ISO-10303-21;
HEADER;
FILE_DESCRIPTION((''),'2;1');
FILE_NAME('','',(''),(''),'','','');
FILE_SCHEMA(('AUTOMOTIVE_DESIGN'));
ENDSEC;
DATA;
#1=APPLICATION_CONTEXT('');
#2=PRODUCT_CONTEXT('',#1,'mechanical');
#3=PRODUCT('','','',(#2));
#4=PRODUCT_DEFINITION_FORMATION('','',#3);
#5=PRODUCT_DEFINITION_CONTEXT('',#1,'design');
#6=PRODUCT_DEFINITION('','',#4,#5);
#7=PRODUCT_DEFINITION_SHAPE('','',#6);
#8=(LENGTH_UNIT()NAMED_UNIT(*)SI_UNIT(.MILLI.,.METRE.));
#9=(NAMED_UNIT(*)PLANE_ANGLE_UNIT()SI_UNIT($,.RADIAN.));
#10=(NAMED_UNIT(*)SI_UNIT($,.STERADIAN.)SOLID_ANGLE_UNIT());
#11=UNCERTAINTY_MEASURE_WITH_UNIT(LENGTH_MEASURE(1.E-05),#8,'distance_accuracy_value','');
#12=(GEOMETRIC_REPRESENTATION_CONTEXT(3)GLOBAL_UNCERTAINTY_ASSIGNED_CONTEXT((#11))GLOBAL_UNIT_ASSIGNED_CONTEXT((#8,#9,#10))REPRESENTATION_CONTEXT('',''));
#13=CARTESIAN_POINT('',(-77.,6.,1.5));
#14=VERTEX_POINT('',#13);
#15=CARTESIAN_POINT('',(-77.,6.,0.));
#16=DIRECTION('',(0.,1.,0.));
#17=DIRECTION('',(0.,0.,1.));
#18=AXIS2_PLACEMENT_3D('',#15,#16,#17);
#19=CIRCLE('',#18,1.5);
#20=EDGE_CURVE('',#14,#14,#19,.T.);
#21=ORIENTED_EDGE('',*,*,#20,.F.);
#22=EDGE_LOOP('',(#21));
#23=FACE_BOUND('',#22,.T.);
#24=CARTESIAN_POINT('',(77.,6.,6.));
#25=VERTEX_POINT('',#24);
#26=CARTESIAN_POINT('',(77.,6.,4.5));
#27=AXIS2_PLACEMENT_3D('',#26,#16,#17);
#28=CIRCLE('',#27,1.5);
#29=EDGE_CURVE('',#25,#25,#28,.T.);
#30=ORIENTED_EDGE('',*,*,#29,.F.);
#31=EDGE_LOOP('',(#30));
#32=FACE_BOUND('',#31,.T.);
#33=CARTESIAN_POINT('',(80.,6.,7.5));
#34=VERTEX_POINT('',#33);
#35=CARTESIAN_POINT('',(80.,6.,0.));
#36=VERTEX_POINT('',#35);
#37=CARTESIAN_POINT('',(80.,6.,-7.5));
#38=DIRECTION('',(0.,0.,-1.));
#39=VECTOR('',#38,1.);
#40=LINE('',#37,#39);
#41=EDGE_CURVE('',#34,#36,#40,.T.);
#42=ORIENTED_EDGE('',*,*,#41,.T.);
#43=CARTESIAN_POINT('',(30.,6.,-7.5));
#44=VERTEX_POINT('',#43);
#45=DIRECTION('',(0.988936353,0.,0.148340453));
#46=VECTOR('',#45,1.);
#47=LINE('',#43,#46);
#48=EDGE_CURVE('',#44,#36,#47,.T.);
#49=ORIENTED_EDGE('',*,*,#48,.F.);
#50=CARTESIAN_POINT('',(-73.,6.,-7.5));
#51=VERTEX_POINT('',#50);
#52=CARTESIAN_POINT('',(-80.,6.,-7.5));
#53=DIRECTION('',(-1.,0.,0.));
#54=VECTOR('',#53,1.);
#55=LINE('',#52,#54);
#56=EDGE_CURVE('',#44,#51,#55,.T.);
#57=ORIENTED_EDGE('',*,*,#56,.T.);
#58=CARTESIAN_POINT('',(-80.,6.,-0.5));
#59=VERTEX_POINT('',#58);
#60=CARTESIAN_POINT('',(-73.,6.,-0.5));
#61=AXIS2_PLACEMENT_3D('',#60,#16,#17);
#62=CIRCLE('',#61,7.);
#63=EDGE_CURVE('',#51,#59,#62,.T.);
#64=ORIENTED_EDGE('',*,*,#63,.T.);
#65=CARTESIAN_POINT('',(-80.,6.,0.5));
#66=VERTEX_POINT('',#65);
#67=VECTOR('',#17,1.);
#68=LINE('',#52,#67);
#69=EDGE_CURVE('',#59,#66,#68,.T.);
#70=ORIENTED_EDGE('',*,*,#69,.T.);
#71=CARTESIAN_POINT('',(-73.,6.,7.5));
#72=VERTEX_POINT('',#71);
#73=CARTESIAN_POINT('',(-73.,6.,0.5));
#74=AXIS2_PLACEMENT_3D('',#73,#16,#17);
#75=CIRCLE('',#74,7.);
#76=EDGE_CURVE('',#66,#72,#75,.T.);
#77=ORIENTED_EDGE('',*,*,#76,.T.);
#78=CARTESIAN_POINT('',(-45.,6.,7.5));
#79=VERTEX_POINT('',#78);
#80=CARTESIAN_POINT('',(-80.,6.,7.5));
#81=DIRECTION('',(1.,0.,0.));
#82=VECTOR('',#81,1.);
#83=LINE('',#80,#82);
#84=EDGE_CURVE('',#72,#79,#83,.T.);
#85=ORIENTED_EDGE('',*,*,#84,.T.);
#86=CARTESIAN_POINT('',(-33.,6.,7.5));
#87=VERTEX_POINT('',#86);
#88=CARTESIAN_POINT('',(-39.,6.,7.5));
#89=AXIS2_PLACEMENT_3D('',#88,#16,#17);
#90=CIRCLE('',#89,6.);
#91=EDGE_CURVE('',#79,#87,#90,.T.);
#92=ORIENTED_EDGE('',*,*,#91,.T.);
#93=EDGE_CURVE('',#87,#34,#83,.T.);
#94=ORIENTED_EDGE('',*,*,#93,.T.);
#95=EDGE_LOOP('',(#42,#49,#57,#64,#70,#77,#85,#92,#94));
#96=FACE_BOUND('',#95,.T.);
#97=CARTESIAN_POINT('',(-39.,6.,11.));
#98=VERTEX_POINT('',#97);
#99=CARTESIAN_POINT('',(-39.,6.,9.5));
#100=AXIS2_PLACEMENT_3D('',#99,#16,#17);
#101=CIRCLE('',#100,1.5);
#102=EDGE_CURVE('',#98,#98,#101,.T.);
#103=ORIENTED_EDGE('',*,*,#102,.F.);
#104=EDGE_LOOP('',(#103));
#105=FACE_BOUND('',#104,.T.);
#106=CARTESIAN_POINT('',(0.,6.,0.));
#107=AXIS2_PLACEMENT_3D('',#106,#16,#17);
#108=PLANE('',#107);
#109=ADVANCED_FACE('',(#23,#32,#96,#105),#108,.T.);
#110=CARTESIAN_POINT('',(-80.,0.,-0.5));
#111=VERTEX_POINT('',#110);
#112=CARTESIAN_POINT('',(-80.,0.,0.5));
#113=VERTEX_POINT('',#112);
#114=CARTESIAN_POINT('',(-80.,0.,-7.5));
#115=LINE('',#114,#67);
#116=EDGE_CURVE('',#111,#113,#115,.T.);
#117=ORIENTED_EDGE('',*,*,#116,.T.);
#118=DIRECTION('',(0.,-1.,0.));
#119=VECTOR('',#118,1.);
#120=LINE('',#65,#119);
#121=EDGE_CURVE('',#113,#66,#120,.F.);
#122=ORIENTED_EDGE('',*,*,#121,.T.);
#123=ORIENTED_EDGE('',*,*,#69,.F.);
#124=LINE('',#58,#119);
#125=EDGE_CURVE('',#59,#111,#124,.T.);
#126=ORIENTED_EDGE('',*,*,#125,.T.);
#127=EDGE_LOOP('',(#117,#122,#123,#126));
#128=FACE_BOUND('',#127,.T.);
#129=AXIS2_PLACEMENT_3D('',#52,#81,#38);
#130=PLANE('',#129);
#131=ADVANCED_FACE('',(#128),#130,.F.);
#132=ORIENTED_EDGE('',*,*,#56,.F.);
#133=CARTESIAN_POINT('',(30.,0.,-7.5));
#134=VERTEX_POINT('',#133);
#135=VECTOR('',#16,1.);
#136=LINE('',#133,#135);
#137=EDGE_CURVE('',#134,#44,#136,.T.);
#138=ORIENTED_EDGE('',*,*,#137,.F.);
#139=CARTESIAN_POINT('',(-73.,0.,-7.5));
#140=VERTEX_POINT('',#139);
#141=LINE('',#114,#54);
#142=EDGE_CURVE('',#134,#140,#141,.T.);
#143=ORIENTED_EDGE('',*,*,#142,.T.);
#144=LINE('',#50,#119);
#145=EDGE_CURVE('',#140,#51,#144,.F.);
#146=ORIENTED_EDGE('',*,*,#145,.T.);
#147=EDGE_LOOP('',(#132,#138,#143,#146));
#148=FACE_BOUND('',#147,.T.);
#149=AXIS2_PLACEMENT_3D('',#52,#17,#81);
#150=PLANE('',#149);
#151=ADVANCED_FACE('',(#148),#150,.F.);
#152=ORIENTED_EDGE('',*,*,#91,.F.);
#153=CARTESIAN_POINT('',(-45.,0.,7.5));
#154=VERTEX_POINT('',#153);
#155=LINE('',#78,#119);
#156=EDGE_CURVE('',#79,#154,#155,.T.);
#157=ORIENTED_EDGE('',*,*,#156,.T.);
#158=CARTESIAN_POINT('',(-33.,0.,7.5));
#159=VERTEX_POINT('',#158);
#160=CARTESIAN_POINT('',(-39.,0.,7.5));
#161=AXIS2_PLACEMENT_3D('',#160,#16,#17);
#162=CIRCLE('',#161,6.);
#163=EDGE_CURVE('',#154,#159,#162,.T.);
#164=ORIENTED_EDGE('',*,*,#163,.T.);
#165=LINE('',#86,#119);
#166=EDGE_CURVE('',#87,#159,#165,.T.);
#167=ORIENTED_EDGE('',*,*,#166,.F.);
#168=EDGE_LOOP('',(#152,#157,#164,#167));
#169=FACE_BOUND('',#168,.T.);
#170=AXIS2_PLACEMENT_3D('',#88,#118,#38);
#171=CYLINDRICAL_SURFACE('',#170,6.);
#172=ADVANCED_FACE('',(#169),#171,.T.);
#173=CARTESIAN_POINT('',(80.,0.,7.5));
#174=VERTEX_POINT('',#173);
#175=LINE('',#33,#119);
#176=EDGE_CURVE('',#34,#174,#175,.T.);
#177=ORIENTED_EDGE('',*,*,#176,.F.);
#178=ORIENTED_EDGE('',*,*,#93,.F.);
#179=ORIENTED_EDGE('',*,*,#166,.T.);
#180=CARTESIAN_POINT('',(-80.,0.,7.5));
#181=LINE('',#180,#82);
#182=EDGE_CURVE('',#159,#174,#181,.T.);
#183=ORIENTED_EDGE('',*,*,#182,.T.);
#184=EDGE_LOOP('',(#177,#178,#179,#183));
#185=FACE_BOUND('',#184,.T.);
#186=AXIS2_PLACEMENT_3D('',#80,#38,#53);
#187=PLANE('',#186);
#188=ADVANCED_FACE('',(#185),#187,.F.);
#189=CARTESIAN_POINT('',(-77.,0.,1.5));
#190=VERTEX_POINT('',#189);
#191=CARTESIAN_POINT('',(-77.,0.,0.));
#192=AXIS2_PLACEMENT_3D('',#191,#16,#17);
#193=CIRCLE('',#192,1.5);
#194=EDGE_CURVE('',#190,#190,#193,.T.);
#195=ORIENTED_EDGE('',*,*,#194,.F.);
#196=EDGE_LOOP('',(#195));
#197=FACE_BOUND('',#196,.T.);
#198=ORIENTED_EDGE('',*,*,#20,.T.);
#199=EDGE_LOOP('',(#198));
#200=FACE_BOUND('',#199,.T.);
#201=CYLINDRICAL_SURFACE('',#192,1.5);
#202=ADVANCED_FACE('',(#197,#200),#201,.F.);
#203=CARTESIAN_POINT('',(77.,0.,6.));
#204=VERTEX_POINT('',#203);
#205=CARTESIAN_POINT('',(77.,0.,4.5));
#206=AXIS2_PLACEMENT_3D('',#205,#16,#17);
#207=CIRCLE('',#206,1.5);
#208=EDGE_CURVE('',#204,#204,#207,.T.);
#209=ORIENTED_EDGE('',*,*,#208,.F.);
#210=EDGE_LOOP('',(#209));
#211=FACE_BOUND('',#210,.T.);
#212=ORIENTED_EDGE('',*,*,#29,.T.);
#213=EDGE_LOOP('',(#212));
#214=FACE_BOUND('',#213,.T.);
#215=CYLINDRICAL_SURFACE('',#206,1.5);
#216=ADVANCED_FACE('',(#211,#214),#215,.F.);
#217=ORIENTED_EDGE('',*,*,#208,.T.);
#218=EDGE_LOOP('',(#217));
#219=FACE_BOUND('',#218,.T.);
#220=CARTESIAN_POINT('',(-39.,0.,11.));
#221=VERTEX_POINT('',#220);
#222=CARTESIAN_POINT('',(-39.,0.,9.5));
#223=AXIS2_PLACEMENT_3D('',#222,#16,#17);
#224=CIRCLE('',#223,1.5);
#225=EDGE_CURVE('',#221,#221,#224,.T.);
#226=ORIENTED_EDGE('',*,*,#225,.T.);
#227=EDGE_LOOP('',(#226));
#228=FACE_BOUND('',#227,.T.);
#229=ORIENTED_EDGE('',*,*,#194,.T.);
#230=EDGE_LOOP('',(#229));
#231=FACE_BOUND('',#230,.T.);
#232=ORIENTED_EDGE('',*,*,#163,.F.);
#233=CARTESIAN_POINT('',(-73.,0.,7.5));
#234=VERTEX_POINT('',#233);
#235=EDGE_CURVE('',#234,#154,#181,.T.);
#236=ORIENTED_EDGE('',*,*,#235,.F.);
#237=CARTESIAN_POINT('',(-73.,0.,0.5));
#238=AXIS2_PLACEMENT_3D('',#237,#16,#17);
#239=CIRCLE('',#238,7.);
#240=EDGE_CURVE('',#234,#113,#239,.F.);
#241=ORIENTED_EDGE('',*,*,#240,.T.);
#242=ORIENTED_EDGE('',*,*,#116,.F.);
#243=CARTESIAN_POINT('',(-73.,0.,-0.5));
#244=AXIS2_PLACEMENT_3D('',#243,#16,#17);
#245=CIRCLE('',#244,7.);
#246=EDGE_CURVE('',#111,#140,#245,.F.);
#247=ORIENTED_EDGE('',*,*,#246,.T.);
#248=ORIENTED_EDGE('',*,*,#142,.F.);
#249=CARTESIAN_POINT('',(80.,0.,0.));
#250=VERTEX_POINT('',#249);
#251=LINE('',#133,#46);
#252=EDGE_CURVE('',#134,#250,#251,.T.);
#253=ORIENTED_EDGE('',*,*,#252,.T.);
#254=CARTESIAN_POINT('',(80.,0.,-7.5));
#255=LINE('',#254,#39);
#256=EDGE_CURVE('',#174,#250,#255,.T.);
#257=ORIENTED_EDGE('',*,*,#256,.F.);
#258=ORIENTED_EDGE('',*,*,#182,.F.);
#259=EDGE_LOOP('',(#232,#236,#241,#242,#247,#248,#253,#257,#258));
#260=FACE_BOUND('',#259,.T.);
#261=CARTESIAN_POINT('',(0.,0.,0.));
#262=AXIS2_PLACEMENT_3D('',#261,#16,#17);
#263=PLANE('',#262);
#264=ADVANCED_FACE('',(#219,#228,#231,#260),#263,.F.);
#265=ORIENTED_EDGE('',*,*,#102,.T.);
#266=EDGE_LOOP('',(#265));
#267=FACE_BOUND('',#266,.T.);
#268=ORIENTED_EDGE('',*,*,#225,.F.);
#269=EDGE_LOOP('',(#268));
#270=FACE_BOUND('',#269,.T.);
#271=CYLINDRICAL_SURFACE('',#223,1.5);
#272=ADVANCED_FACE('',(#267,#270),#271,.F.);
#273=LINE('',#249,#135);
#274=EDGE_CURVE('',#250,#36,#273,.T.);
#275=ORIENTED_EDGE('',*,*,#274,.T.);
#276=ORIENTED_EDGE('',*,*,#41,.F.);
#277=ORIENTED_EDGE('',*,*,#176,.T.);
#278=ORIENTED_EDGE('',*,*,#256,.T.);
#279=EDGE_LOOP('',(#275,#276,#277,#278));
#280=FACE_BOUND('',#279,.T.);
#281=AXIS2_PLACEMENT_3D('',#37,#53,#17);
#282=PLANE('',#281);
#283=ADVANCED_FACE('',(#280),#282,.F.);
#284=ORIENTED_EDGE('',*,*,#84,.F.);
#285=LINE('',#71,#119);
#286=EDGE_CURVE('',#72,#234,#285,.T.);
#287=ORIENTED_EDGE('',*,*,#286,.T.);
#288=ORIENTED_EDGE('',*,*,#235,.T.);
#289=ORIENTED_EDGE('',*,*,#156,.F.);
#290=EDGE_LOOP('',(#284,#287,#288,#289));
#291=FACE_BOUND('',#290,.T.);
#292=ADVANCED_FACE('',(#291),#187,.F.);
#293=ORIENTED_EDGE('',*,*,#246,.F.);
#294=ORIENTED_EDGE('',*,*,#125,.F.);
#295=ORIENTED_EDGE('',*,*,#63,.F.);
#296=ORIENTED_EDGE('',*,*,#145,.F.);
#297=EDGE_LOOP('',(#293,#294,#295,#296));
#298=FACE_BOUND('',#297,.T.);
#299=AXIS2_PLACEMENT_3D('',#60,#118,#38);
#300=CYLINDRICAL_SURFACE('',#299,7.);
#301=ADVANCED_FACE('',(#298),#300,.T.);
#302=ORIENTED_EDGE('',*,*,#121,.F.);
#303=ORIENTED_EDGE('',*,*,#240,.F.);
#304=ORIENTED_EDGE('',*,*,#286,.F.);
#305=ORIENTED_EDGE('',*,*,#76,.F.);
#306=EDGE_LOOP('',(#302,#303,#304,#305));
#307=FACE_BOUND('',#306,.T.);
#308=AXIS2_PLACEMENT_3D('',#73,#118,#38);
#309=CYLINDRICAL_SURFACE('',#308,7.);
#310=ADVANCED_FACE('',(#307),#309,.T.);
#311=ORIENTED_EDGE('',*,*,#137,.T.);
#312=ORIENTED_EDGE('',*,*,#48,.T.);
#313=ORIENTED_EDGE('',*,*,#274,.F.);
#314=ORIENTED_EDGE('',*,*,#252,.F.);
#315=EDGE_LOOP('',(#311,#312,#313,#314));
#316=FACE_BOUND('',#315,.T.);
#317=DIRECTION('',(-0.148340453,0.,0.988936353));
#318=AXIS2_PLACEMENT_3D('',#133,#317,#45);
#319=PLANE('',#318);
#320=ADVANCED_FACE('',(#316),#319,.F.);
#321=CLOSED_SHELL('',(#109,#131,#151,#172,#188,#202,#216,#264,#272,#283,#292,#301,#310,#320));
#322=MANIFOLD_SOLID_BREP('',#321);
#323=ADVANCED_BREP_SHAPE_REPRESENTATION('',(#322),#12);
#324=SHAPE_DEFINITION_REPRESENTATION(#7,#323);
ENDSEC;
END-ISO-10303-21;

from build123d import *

# Parameters (mm, degrees)
SKETCH2_W           = 160
SKETCH2_H           = 15
BOSS_EXTRUDE1_DEPTH = 6
BOSS_EXTRUDE2_DEPTH = 6
SKETCH5_R           = 1.5
CUT_EXTRUDE1_DEPTH  = 82.352627493
CUT_EXTRUDE2_DEPTH  = 82.352627493
FILLET1_R           = 7


with BuildPart() as part:
    # Sketch2 → Boss-Extrude1 (new body)
    with BuildSketch(Plane(origin=(0, 0, 0), x_dir=(1, 0, 0), z_dir=(0, 1, 0))):
        Rectangle(SKETCH2_W, SKETCH2_H)
    extrude(amount=BOSS_EXTRUDE1_DEPTH)

    # Sketch4 → Boss-Extrude2 (add)
    with BuildSketch(Plane(origin=(0, 0, 0), x_dir=(1, 0, 0), z_dir=(0, 1, 0))):
        with BuildLine():
            Line((-45, -7.5), (-33, -7.5))
            ThreePointArc((-33, -7.5), (-39, -13.5), (-45, -7.5))
        make_face()
    extrude(amount=BOSS_EXTRUDE2_DEPTH)

    # Sketch5 → Cut-Extrude1 (cut, through all)
    with BuildSketch(Plane(origin=(0, 6, 0), x_dir=(1, 0, 0), z_dir=(0, 1, 0))):
        with Locations(Location((-77, 0, 0), (0, 0, 270))):
            Circle(SKETCH5_R)
        with Locations(Location((-39, -9.5, 0), (0, 0, 270))):
            Circle(SKETCH5_R)
        with Locations(Location((77, -4.5, 0), (0, 0, 270))):
            Circle(SKETCH5_R)
    extrude(amount=-CUT_EXTRUDE1_DEPTH, mode=Mode.SUBTRACT)

    # Sketch6 → Cut-Extrude2 (cut, through all)
    with BuildSketch(Plane(origin=(0, 6, 0), x_dir=(1, 0, 0), z_dir=(0, 1, 0))):
        Polygon((80, 0), (80, 7.5), (30, 7.5), align=None)
    extrude(amount=-CUT_EXTRUDE2_DEPTH, mode=Mode.SUBTRACT)

    # Fillet1
    fillet1_edges = [part.edges().sort_by_distance(p)[0] for p in [
        (-80, 3, -7.5),
        (-80, 3, 7.5),
    ]]
    fillet(fillet1_edges, radius=FILLET1_R)


solid = part.part
